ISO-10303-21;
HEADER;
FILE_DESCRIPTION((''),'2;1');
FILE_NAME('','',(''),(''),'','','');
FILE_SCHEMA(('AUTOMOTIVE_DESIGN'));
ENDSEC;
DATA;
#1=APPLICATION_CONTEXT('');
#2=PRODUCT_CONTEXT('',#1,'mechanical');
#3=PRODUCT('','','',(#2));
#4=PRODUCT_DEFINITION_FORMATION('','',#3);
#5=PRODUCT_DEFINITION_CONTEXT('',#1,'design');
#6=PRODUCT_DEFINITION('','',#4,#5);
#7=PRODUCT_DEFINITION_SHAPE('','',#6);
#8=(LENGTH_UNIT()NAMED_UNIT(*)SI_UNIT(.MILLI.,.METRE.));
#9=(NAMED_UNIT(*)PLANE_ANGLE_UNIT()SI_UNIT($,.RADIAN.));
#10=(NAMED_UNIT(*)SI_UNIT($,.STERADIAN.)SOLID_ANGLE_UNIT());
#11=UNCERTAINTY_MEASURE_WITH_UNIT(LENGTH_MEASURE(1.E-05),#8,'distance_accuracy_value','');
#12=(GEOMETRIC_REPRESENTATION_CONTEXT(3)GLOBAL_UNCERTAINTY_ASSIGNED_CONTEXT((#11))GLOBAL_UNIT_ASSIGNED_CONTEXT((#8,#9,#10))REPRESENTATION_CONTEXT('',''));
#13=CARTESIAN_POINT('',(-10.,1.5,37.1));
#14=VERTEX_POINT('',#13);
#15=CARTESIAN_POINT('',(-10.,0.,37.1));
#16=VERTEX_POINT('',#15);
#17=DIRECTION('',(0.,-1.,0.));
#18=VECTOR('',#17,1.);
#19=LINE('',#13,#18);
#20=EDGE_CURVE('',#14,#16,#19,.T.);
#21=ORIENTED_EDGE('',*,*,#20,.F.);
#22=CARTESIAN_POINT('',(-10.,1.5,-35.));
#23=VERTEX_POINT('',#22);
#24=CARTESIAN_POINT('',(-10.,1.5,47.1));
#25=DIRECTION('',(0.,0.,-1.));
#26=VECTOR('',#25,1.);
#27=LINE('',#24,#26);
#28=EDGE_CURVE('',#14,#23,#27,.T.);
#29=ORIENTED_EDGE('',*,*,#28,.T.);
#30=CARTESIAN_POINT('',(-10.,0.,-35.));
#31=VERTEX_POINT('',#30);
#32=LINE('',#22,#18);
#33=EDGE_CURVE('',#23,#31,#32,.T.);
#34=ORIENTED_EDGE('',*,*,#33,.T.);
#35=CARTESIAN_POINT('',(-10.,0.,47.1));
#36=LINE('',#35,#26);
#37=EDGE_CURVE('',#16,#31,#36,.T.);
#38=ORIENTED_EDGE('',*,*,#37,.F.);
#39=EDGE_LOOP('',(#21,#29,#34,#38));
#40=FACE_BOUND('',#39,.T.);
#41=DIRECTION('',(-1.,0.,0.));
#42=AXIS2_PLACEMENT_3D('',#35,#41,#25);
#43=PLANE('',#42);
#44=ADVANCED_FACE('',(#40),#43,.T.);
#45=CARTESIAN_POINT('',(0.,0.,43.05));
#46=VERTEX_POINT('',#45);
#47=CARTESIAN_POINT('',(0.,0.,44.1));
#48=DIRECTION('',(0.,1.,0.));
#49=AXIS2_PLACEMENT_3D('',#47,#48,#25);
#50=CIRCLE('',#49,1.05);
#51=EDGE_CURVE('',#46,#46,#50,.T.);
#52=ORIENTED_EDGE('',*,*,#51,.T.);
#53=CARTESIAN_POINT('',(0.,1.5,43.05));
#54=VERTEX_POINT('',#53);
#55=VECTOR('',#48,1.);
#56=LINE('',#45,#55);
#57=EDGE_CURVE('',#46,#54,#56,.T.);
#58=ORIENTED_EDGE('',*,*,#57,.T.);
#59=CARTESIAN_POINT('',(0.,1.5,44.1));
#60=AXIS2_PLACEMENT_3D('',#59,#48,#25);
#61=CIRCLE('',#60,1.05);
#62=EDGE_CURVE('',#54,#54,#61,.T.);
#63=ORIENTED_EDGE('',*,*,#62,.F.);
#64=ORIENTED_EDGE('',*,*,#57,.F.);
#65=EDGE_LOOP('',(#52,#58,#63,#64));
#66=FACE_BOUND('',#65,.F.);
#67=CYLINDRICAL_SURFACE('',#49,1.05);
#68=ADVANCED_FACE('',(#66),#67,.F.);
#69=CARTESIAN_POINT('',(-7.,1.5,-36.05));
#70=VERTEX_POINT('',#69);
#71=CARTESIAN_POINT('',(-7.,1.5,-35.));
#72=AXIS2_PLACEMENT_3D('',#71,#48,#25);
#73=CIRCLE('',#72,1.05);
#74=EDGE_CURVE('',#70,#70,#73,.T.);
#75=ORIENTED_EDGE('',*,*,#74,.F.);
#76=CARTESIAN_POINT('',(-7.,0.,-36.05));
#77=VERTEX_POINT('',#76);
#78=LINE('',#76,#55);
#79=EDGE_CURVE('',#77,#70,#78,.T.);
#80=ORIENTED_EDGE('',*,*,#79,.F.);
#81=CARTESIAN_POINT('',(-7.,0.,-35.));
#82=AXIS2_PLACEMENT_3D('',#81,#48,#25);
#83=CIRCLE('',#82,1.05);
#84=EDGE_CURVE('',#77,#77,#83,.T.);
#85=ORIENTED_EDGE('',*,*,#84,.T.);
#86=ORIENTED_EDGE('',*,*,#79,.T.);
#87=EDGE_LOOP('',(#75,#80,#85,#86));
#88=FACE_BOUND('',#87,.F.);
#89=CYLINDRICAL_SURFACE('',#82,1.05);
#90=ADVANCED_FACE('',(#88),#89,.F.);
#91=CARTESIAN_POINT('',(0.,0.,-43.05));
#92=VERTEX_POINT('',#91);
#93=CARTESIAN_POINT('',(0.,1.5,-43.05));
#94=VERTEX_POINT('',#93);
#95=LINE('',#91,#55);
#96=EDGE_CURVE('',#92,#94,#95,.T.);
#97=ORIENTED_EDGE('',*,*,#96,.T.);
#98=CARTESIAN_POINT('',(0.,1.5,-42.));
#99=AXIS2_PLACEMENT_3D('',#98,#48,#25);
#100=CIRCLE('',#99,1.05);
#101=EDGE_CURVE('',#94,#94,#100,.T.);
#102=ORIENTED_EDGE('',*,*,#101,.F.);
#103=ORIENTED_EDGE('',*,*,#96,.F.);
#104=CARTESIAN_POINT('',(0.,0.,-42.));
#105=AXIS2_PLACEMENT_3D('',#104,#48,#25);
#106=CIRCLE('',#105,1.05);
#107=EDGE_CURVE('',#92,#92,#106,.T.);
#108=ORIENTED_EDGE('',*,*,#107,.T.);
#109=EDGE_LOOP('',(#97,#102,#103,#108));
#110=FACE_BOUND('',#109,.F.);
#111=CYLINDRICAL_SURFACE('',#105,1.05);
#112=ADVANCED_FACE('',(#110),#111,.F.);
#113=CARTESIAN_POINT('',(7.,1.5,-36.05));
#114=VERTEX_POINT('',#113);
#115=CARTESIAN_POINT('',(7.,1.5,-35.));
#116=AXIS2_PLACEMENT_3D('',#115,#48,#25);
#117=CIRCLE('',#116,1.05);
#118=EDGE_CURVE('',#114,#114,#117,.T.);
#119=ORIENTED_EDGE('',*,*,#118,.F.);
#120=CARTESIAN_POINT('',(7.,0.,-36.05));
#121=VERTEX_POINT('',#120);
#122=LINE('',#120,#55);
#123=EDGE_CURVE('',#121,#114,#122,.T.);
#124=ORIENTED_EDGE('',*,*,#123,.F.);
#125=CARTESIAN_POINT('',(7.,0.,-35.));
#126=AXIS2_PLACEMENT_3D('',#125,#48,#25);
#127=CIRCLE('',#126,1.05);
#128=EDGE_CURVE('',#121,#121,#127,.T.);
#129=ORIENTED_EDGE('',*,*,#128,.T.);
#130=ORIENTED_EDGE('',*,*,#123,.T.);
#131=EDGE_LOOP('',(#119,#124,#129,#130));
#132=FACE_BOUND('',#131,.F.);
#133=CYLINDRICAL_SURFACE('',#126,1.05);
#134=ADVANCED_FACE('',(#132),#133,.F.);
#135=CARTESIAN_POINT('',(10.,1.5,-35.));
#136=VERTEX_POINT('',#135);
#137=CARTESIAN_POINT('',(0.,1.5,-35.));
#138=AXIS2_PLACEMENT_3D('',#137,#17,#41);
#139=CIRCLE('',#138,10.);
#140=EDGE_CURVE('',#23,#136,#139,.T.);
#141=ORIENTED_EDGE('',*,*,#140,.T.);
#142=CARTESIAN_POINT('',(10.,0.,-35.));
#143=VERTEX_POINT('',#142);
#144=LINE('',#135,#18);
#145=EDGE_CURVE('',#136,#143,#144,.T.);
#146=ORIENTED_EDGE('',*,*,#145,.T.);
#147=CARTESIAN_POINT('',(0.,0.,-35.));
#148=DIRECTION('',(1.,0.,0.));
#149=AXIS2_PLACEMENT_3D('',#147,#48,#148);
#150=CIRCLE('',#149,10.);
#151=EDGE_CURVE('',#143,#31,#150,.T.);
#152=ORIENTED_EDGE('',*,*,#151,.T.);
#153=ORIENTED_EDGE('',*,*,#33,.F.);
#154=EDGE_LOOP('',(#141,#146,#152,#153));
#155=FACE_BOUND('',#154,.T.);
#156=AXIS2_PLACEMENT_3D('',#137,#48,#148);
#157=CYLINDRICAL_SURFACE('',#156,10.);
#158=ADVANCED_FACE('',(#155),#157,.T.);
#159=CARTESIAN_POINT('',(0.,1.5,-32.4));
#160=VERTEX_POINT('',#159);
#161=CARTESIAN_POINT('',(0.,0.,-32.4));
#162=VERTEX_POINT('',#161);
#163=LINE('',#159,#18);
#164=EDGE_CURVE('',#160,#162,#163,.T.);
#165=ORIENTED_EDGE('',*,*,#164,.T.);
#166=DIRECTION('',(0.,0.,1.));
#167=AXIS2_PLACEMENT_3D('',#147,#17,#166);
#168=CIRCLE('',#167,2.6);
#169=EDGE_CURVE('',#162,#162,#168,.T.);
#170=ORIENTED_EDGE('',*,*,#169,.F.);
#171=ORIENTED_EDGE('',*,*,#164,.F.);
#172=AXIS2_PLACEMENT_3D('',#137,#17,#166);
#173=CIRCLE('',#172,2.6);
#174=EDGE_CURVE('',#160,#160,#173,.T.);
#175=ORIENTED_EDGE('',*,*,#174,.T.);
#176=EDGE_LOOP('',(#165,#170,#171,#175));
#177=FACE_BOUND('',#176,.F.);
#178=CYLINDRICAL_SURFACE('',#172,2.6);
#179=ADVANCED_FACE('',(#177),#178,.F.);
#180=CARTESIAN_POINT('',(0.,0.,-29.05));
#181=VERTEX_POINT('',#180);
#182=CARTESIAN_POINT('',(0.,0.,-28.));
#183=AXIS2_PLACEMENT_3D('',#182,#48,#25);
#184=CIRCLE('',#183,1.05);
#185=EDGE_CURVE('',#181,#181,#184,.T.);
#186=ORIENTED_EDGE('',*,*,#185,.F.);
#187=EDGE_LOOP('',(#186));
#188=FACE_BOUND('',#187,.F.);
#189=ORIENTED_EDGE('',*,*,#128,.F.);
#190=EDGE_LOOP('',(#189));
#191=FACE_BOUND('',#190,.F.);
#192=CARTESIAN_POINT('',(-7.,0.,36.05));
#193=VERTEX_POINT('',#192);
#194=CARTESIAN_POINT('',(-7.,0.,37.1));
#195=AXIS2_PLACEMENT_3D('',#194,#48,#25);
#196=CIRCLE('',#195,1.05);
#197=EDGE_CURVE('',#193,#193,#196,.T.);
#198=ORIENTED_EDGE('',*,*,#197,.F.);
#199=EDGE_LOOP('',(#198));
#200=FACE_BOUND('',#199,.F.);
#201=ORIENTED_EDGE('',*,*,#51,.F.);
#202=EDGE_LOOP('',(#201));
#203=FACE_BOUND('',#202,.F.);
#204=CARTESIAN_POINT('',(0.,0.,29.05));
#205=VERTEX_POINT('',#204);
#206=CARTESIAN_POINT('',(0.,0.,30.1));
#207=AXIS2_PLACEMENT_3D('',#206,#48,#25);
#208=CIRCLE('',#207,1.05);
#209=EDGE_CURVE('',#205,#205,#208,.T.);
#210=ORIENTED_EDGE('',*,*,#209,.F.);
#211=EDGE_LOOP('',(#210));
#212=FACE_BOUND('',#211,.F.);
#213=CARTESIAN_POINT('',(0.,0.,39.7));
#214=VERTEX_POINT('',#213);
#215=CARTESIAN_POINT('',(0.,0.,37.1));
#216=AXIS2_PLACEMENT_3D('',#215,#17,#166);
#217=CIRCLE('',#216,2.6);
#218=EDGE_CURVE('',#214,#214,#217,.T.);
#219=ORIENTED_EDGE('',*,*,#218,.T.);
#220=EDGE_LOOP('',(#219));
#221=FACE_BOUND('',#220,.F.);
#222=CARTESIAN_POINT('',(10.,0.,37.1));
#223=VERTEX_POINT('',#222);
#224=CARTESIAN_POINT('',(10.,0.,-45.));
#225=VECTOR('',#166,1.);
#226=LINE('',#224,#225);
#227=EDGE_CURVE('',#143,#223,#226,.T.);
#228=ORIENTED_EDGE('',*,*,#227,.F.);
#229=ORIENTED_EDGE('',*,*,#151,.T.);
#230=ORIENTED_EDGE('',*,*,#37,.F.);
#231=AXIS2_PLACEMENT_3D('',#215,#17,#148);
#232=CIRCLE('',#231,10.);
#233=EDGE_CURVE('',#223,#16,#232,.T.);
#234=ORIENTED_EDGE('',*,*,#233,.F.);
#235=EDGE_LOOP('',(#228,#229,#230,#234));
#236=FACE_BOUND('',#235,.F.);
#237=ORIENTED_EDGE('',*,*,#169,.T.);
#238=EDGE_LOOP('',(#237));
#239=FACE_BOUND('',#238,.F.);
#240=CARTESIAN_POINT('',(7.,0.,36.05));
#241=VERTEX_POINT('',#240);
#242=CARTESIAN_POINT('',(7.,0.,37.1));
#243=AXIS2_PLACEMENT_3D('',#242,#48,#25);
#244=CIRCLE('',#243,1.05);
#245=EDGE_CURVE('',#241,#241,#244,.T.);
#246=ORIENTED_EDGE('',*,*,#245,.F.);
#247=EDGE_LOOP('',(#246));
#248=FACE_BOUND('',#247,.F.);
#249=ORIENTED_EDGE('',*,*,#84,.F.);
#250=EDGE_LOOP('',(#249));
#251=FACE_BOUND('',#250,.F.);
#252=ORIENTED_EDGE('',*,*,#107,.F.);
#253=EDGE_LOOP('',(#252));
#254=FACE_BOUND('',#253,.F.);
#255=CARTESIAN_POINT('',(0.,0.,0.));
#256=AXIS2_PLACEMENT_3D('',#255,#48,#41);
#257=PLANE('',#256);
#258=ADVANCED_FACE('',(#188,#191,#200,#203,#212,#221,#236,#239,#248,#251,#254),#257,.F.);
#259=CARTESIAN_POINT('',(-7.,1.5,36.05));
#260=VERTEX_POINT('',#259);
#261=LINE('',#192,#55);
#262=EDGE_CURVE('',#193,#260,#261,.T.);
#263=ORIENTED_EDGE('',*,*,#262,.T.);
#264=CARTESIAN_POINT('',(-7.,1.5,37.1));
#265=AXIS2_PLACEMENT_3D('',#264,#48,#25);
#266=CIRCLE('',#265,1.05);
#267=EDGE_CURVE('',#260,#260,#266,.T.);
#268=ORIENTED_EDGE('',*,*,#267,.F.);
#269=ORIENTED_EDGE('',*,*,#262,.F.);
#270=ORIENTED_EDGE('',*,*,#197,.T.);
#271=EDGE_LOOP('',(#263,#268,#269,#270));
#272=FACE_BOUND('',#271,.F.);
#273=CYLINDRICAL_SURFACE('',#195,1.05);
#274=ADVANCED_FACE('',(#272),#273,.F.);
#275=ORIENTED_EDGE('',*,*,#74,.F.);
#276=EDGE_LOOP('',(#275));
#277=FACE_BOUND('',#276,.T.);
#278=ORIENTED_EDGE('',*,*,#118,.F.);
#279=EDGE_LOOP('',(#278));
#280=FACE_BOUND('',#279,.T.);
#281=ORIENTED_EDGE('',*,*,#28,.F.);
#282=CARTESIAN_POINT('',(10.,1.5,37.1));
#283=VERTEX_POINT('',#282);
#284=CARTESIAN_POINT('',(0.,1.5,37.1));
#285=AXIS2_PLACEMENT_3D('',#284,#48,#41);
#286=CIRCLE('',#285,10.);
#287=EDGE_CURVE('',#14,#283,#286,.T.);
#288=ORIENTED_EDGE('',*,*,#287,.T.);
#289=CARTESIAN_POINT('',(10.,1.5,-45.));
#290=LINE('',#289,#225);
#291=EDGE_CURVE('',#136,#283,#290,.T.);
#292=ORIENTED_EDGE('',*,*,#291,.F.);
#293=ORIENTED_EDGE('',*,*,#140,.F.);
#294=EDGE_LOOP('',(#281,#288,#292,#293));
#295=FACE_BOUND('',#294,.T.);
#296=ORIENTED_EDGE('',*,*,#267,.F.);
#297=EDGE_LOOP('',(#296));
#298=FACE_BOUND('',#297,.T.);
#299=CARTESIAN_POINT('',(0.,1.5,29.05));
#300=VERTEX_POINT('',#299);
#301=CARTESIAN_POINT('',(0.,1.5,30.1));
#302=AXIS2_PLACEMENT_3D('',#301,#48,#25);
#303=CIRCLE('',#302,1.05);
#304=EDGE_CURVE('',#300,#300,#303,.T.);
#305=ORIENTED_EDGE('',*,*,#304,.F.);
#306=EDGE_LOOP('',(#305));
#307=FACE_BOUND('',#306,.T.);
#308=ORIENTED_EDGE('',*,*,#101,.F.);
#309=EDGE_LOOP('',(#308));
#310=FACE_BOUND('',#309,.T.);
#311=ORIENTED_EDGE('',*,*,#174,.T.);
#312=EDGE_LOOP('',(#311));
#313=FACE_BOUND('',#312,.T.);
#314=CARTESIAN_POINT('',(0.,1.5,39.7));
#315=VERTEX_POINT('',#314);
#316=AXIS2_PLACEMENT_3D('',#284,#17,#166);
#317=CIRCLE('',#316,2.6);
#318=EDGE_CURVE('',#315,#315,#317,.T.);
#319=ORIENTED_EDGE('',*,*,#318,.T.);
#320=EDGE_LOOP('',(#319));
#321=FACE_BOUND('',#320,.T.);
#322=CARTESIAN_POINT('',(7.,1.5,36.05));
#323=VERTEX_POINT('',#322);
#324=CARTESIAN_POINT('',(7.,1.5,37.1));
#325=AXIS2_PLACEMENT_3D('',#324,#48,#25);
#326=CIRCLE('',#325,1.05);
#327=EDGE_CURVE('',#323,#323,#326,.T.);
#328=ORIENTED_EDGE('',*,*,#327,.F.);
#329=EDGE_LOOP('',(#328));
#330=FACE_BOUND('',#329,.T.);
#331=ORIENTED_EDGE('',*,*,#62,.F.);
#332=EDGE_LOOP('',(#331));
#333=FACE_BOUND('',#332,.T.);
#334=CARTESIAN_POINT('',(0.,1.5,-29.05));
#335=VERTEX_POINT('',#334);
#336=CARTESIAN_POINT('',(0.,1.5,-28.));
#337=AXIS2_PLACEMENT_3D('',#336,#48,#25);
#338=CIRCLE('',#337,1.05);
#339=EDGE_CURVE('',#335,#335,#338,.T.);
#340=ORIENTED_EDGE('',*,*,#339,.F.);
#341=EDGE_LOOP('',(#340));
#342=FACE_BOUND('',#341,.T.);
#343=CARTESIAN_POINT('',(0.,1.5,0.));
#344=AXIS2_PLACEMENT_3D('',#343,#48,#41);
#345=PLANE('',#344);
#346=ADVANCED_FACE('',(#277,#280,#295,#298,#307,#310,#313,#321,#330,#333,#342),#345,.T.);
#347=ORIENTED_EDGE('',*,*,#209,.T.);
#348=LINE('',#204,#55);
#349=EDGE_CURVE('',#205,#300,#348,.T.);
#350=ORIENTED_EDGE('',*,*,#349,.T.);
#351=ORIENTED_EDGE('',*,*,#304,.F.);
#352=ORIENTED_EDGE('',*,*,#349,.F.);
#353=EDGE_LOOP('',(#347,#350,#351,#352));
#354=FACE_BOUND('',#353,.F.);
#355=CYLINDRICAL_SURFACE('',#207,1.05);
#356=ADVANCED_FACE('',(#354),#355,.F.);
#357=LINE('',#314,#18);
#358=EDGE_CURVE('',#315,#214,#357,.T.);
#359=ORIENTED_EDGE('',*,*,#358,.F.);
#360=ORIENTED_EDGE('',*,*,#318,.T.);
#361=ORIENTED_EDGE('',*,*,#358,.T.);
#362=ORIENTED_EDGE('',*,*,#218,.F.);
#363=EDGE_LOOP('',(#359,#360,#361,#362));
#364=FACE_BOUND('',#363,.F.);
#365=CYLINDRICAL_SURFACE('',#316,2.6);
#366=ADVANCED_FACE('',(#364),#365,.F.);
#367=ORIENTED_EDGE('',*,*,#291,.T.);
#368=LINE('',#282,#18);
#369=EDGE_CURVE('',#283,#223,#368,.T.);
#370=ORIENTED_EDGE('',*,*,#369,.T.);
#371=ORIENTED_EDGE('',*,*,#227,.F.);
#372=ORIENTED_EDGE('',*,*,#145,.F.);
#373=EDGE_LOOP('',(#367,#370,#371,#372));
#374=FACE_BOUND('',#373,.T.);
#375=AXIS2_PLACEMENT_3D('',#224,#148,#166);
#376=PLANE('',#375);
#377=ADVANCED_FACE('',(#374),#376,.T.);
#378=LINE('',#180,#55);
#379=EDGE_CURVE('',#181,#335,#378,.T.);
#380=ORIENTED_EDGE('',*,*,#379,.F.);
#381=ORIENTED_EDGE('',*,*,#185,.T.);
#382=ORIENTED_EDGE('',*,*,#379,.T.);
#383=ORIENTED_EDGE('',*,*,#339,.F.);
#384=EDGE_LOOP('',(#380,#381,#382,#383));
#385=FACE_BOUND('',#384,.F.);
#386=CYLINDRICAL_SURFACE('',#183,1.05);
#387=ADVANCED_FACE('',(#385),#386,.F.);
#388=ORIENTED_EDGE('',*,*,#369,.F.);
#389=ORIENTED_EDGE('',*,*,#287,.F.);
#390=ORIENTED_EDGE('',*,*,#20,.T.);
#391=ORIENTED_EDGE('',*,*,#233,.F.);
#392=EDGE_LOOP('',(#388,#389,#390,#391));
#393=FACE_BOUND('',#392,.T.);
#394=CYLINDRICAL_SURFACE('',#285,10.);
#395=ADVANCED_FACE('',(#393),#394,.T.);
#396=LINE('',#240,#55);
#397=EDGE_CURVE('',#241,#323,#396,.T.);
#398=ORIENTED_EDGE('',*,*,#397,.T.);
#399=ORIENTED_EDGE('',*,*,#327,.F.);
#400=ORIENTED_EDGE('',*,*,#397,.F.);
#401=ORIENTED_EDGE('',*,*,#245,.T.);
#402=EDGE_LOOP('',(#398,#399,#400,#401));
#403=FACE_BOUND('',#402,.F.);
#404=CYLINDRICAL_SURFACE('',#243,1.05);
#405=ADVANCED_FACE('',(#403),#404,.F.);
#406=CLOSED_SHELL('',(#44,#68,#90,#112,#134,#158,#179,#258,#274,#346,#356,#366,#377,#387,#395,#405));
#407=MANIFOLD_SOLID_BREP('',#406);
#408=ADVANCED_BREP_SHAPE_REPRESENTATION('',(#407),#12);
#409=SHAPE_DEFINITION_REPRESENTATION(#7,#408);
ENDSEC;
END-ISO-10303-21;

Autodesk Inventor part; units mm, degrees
ref_plane "YZ Plane" through (0, 0, 0) normal (1, 0, 0) x (0, 1, 0)
ref_plane "XZ Plane" through (0, 0, 0) normal (0, 1, 0) x (-1, 0, 0)
ref_plane "XY Plane" through (0, 0, 0) normal (0, 0, 1) x (1, 0, 0)
sketch "Sketch1" plane through (0, 0, 0) normal (0, 1, 0) x (-1, 0, 0)
  line L0 (10, -45) -> (-10, -45)
  line L1 (-10, -45) -> (-10, 47.1)
  line L2 (-10, 47.1) -> (10, 47.1)
  line L3 (10, 47.1) -> (10, -45)
  point P0 (0, 0)
  dimension "d0" = 20
  dimension "d1" = 92.1
  dimension "d2" = 45
  dimension "d3" = 10
extrude "Plate1" add sketch "Sketch1" along normal blind 1.5
sketch "Sketch2" plane through (0, 0, 0) normal (0, -1, 0) x (1, 0, 0)
  circle A0 centre (0, 42) radius 0.7835 projected
  circle A1 centre (-7, 35) radius 0.7835 projected
  circle A2 centre (0, 28) radius 0.7835 projected
  circle A3 centre (7, 35) radius 0.7835 projected
  circle A4 centre (0, -28) radius 0.7835 projected
  circle A5 centre (-7, -35) radius 0.7835 projected
  circle A6 centre (0, -42) radius 0.7835 projected
  circle A7 centre (7, -35) radius 0.7835 projected
  circle A8 centre (7, 37.1) radius 0.7835
  circle A9 centre (0, 30.1) radius 0.7835
  circle A10 centre (-7, 37.1) radius 0.7835
  circle A11 centre (0, 44.1) radius 0.7835
  point P0 (0, 0)
hole "Hole1" at (0, 0, 30.1) at (7, 0, 37.1) at (0, 0, 44.1) at (-7, 0, 37.1) at (0, 0, -42) at (7, 0, -35) at (0, 0, -28) at (-7, 0, -35) direction (0, 1, 0) diameter 2.1 depth 1.5
sketch "Sketch3" plane through (0, 1.5, 0) normal (0, 1, 0) x (1, 0, 0)
  arc A0 (10, 35) -> (-10, 35) centre (0, 35) ccw
  arc A1 (-10, -37.1) -> (10, -37.1) centre (0, -37.1) ccw
  line L0 (-10, 35) -> (-10, -37.1)
  line L1 (10, 35) -> (10, -37.1)
  line L2 (10, 45) -> (10, -47.1) projected
  line L3 (-10, 45) -> (10, 45)
  line L4 (10, 45) -> (10, -47.1)
  line L5 (10, -47.1) -> (-10, -47.1)
  line L6 (-10, -47.1) -> (-10, 45)
  point P0 (0, 0)
  point P1 (0, 45)
  point P2 (10, 45)
  point P3 (10, 35)
  point P4 (-10, -37.1)
  point P5 (0, -47.1)
  point P6 (1.4107, 44.9)
  point P7 (10, 35)
  dimension "d12" = 35
  dimension "d13" = 37.1
  dimension "d14" = 10
  dimension "d15" = 10
  dimension "d16" = 10
  dimension "d17" = 20
  dimension "d18" = 92.1
extrude "Extrusion1" cut sketch "Sketch3" against normal blind 10 contours A0 L3 L2 | A0 L6 L3 | L2 L5 A1 | L5 L6 A1
sketch "Sketch4" plane through (0, 1.5, 0) normal (0, 1, 0) x (1, 0, 0)
  arc A0 (10, 35) -> (-10, 35) centre (0, 35) ccw projected
  arc A1 (-10, -37.1) -> (10, -37.1) centre (0, -37.1) ccw projected
  point P0 (0, 0)
hole "Hole2" at (0, 1.5, -35) at (0, 1.5, 37.1) direction (0, -1, 0) diameter 5.2 depth 1.5 clearance for "Hex Head Bolt" size "M5" standard "Ansi Metric M Profile"
equation "\"d10\" = Thickness"
equation "\"d26\" = Thickness"
equation "\"d4\" = Thickness"
equation "\"BendReliefWidth\" = Thickness"
equation "\"BendReliefDepth\" = 0.5 * Thickness"
equation "\"CornerReliefSize\" = 4 * Thickness"
equation "\"MinimumRemnant\" = 2 * Thickness"
equation "\"TransitionRadius\" = BendRadius"
equation "\"JacobiRadiusSize\" = BendRadius"
equation "\"GapSize\" = Thickness"
equation "\"Thickness\" = 1.5"
equation "\"BendRadius\" = 0.31"
properties part number "axis_10_11-connector_frame" material "Aluminum 6061-AHC"
